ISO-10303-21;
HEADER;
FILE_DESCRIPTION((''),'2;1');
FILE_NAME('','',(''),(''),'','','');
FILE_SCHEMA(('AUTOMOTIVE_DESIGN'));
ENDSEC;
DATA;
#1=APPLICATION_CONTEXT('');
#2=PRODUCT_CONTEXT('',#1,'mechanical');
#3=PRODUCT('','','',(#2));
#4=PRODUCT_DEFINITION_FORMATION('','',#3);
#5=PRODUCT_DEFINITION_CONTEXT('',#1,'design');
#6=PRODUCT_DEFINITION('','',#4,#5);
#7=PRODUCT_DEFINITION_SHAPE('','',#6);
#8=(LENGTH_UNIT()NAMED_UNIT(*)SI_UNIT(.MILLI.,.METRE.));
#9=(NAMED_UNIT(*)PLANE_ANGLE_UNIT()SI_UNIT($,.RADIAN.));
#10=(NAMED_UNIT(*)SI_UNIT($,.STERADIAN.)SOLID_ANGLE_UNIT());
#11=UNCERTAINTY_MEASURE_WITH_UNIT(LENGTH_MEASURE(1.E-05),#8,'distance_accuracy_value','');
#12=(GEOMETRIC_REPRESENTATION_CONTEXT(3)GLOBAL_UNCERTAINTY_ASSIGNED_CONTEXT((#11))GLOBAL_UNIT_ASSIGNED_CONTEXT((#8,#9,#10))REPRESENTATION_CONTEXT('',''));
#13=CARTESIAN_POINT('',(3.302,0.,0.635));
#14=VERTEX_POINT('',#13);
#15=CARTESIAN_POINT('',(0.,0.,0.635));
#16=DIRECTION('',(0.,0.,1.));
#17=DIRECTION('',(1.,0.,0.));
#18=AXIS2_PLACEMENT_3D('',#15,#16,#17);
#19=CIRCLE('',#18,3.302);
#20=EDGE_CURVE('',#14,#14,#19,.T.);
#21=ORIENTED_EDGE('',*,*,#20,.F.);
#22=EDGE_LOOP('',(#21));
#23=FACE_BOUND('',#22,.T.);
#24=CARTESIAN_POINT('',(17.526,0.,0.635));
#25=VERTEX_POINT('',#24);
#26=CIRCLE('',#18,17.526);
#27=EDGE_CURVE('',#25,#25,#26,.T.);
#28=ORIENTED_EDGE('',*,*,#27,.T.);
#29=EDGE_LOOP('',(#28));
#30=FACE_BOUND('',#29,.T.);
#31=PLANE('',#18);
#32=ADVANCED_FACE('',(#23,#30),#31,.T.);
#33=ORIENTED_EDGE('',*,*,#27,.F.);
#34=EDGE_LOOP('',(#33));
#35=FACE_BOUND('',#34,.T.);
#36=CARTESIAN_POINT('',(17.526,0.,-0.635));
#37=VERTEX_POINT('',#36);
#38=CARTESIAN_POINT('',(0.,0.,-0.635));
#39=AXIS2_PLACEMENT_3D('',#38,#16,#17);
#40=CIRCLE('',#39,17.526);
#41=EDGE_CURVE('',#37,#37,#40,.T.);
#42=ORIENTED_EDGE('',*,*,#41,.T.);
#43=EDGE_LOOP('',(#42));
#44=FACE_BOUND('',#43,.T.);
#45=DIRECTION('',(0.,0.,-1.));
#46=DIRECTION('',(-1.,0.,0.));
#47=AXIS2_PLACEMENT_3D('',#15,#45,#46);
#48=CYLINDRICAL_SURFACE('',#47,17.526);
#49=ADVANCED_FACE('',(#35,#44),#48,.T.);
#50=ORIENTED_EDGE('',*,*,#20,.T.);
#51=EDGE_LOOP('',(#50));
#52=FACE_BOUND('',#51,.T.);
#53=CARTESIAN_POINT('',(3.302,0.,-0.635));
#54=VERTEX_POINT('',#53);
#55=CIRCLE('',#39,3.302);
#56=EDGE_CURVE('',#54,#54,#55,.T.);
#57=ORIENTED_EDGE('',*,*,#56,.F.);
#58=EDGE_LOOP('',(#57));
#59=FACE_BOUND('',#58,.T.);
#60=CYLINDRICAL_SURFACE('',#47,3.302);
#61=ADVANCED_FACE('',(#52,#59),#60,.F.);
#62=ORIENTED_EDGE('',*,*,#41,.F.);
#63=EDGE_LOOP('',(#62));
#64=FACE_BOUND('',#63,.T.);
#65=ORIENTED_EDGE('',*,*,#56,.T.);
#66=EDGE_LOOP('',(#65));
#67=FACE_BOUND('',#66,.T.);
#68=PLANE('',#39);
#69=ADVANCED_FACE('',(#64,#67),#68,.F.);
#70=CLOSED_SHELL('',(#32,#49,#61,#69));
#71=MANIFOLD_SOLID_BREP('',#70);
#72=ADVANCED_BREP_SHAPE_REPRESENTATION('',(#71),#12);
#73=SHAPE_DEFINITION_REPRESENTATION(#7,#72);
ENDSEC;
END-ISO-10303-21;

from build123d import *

# Parameters (mm, degrees)
SKETCH1_R           = 17.526
SKETCH1_R_2         = 3.302
BOSS_EXTRUDE1_DEPTH = 0.635


with BuildPart() as part:
    # Sketch1 → Boss-Extrude1 (new, symmetric)
    with BuildSketch(Plane.XY):
        Circle(SKETCH1_R)
        Circle(SKETCH1_R_2, mode=Mode.SUBTRACT)
    extrude(amount=BOSS_EXTRUDE1_DEPTH, both=True)


solid = part.part
